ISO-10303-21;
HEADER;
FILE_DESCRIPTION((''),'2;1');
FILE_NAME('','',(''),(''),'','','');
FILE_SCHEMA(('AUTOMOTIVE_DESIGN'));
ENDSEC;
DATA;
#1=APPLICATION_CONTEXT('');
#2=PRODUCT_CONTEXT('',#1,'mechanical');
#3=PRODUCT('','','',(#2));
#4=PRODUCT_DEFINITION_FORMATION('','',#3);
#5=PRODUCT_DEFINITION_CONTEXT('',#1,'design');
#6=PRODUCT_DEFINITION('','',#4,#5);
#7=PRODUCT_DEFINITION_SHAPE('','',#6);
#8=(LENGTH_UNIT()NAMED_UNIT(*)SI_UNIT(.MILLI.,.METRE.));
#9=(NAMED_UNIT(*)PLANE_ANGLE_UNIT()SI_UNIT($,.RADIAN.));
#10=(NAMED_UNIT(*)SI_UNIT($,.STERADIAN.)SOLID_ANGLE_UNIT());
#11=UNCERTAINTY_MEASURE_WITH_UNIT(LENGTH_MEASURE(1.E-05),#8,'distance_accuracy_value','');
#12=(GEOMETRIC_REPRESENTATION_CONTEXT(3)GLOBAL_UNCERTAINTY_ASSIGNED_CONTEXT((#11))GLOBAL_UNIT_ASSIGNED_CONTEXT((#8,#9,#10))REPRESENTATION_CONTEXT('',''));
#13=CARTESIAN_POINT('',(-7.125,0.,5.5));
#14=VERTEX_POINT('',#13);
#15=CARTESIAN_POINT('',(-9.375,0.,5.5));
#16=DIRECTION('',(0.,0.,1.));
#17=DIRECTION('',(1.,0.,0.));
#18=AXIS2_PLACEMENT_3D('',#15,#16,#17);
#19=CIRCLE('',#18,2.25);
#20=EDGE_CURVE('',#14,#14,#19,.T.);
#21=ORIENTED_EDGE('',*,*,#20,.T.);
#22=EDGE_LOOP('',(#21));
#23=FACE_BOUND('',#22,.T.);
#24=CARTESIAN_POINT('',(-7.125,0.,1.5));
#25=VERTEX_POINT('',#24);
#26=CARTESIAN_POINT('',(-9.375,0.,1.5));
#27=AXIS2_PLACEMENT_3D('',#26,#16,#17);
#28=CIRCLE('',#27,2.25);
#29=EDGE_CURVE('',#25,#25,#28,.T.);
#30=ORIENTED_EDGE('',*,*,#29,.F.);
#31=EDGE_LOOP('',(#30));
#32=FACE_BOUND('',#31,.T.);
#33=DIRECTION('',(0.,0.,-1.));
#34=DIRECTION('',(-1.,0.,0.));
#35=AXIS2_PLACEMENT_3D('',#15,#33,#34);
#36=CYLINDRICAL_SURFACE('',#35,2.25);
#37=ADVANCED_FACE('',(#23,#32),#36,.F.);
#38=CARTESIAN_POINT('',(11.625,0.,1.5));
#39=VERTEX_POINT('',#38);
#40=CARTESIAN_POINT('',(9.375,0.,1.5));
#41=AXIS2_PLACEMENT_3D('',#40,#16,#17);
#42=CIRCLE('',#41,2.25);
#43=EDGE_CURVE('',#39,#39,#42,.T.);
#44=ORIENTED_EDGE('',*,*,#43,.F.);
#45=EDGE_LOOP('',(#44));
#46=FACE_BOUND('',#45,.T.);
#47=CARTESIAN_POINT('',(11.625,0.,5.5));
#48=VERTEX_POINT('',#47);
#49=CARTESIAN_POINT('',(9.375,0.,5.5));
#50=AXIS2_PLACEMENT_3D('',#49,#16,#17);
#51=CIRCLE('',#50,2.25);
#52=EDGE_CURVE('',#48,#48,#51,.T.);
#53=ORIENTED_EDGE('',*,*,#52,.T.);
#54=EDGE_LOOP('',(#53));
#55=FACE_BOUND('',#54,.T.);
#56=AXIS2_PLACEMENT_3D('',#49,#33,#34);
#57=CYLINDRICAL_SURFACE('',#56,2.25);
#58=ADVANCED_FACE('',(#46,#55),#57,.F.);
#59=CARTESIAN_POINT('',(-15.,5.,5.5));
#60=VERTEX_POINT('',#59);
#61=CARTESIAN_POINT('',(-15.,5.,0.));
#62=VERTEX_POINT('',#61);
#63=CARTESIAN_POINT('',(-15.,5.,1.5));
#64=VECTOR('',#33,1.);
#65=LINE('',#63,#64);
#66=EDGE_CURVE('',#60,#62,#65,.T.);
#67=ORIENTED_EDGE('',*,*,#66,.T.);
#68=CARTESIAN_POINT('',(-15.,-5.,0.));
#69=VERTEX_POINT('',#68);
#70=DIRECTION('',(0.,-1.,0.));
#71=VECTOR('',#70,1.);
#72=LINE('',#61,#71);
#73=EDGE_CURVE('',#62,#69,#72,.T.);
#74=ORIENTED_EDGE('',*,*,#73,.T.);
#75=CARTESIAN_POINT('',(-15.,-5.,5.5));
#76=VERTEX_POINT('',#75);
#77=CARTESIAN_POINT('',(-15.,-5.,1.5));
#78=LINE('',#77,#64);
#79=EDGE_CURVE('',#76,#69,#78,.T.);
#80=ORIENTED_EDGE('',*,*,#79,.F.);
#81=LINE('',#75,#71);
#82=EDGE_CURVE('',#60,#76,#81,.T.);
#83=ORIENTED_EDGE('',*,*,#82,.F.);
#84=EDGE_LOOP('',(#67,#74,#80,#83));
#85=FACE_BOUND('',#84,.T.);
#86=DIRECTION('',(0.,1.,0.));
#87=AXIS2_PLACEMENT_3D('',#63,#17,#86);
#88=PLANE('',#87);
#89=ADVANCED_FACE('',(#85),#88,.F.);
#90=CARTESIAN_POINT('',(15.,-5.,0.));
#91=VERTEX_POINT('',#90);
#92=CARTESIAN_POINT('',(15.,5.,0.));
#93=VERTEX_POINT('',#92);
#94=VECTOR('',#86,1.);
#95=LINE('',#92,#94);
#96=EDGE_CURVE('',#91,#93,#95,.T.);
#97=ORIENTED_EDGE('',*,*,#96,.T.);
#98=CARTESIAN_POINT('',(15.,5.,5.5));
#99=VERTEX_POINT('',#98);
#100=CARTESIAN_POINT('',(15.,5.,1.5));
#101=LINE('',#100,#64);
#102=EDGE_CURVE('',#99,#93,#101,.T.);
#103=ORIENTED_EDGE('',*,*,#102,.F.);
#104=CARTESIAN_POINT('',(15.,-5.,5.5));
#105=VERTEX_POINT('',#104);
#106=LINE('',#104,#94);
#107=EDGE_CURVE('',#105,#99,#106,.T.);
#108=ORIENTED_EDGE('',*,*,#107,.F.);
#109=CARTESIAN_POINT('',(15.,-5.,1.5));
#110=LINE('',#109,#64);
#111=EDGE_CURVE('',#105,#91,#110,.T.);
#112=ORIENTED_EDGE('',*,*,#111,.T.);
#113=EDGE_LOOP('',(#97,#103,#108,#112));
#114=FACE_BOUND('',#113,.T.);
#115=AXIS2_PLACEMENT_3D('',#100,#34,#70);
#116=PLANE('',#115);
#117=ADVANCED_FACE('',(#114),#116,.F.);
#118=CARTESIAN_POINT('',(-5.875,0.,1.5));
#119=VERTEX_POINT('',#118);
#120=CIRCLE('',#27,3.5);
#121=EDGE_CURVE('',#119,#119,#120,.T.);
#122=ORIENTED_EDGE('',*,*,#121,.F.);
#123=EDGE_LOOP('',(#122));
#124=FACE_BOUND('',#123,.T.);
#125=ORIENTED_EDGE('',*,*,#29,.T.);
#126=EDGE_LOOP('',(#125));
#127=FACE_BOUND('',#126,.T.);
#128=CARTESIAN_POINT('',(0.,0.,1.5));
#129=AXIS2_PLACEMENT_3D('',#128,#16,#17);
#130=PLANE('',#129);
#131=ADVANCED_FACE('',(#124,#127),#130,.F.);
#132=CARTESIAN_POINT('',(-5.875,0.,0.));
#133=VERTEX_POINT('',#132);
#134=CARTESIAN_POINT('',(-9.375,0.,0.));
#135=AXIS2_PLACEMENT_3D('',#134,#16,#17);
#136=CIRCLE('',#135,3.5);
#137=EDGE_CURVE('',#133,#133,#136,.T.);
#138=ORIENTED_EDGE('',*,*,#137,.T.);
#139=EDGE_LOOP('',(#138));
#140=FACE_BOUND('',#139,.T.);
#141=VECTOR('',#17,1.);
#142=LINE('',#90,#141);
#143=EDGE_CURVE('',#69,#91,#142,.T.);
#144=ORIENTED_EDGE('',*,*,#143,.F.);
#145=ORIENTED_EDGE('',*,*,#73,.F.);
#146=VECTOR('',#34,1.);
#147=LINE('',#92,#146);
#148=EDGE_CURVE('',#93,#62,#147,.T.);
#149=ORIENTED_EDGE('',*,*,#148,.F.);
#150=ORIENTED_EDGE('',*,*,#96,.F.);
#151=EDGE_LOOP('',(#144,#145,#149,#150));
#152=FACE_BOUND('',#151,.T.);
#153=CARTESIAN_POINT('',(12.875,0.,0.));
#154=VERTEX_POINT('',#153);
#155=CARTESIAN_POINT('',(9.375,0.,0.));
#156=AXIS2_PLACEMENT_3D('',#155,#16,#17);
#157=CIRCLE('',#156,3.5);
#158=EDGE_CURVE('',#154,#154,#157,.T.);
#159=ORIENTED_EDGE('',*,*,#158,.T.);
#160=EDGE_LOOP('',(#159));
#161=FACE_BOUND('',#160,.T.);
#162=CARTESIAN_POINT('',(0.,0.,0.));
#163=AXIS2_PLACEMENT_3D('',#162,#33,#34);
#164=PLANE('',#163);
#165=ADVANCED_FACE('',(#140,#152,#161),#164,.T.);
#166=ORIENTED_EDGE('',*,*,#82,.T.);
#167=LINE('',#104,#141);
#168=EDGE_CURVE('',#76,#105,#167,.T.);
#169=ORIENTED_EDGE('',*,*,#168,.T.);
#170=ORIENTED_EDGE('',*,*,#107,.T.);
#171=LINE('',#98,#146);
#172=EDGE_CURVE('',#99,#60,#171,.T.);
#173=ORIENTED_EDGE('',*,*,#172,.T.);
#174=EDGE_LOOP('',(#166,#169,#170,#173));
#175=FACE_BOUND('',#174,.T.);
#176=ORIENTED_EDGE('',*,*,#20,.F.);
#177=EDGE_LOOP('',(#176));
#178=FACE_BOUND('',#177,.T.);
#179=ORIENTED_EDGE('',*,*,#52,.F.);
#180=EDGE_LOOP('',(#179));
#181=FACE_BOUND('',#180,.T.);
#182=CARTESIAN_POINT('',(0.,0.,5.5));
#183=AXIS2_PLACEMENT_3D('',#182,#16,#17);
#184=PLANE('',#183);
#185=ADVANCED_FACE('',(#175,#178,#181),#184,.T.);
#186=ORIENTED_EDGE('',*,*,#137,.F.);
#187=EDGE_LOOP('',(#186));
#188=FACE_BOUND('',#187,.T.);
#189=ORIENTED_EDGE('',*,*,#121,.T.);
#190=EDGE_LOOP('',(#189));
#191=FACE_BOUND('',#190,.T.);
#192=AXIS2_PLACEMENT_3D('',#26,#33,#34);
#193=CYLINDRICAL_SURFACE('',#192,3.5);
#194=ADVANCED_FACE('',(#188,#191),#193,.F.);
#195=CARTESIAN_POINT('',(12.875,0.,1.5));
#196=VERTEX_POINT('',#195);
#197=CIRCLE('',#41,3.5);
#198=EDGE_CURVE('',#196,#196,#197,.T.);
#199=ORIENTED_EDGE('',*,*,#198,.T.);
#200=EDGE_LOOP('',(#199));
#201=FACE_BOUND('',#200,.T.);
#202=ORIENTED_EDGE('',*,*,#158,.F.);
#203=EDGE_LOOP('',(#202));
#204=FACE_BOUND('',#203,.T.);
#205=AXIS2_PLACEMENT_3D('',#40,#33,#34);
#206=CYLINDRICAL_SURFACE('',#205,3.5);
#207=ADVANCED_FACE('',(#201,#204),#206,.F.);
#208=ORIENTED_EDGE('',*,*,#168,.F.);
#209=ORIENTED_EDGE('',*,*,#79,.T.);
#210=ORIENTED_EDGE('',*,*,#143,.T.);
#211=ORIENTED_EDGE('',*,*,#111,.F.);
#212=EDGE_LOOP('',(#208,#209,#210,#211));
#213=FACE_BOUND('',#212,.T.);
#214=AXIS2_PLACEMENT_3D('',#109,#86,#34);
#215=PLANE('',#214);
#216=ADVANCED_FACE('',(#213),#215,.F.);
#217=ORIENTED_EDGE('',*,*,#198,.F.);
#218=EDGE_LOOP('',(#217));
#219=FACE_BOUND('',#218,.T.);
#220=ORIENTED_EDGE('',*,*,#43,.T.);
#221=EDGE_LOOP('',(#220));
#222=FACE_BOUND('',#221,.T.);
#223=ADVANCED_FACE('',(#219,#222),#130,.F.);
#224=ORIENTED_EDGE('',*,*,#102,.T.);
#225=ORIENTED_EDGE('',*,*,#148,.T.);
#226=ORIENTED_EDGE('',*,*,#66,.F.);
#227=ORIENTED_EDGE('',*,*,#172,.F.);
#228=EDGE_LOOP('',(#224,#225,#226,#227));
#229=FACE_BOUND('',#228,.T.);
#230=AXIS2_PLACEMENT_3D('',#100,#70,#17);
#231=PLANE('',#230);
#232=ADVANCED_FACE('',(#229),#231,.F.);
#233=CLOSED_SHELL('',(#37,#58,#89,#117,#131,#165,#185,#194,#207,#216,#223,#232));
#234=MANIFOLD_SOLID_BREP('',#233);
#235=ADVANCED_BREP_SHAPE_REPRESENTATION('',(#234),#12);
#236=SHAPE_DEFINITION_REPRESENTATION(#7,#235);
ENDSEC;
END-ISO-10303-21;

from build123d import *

# Parameters (mm, degrees)
SKETCH1_W           = 30
SKETCH1_H           = 10
SKETCH1_R           = 3.5
BOSS_EXTRUDE1_DEPTH = 1.5
SKETCH2_W           = 30
SKETCH2_H           = 10
SKETCH2_R           = 2.25
BOSS_EXTRUDE2_DEPTH = 4


with BuildPart() as part:
    # Sketch1 → Boss-Extrude1 (new body)
    with BuildSketch(Plane.XY):
        Rectangle(SKETCH1_W, SKETCH1_H)
        with Locations((-9.375, 0)):
            Circle(SKETCH1_R, mode=Mode.SUBTRACT)
        with Locations((9.375, 0)):
            Circle(SKETCH1_R, mode=Mode.SUBTRACT)
    extrude(amount=BOSS_EXTRUDE1_DEPTH)

    # Sketch2 → Boss-Extrude2 (add)
    with BuildSketch(Plane.XY.offset(1.5)):
        Rectangle(SKETCH2_W, SKETCH2_H)
        with Locations((-9.375, 0)):
            Circle(SKETCH2_R, mode=Mode.SUBTRACT)
        with Locations((9.375, 0)):
            Circle(SKETCH2_R, mode=Mode.SUBTRACT)
    extrude(amount=BOSS_EXTRUDE2_DEPTH)


solid = part.part
